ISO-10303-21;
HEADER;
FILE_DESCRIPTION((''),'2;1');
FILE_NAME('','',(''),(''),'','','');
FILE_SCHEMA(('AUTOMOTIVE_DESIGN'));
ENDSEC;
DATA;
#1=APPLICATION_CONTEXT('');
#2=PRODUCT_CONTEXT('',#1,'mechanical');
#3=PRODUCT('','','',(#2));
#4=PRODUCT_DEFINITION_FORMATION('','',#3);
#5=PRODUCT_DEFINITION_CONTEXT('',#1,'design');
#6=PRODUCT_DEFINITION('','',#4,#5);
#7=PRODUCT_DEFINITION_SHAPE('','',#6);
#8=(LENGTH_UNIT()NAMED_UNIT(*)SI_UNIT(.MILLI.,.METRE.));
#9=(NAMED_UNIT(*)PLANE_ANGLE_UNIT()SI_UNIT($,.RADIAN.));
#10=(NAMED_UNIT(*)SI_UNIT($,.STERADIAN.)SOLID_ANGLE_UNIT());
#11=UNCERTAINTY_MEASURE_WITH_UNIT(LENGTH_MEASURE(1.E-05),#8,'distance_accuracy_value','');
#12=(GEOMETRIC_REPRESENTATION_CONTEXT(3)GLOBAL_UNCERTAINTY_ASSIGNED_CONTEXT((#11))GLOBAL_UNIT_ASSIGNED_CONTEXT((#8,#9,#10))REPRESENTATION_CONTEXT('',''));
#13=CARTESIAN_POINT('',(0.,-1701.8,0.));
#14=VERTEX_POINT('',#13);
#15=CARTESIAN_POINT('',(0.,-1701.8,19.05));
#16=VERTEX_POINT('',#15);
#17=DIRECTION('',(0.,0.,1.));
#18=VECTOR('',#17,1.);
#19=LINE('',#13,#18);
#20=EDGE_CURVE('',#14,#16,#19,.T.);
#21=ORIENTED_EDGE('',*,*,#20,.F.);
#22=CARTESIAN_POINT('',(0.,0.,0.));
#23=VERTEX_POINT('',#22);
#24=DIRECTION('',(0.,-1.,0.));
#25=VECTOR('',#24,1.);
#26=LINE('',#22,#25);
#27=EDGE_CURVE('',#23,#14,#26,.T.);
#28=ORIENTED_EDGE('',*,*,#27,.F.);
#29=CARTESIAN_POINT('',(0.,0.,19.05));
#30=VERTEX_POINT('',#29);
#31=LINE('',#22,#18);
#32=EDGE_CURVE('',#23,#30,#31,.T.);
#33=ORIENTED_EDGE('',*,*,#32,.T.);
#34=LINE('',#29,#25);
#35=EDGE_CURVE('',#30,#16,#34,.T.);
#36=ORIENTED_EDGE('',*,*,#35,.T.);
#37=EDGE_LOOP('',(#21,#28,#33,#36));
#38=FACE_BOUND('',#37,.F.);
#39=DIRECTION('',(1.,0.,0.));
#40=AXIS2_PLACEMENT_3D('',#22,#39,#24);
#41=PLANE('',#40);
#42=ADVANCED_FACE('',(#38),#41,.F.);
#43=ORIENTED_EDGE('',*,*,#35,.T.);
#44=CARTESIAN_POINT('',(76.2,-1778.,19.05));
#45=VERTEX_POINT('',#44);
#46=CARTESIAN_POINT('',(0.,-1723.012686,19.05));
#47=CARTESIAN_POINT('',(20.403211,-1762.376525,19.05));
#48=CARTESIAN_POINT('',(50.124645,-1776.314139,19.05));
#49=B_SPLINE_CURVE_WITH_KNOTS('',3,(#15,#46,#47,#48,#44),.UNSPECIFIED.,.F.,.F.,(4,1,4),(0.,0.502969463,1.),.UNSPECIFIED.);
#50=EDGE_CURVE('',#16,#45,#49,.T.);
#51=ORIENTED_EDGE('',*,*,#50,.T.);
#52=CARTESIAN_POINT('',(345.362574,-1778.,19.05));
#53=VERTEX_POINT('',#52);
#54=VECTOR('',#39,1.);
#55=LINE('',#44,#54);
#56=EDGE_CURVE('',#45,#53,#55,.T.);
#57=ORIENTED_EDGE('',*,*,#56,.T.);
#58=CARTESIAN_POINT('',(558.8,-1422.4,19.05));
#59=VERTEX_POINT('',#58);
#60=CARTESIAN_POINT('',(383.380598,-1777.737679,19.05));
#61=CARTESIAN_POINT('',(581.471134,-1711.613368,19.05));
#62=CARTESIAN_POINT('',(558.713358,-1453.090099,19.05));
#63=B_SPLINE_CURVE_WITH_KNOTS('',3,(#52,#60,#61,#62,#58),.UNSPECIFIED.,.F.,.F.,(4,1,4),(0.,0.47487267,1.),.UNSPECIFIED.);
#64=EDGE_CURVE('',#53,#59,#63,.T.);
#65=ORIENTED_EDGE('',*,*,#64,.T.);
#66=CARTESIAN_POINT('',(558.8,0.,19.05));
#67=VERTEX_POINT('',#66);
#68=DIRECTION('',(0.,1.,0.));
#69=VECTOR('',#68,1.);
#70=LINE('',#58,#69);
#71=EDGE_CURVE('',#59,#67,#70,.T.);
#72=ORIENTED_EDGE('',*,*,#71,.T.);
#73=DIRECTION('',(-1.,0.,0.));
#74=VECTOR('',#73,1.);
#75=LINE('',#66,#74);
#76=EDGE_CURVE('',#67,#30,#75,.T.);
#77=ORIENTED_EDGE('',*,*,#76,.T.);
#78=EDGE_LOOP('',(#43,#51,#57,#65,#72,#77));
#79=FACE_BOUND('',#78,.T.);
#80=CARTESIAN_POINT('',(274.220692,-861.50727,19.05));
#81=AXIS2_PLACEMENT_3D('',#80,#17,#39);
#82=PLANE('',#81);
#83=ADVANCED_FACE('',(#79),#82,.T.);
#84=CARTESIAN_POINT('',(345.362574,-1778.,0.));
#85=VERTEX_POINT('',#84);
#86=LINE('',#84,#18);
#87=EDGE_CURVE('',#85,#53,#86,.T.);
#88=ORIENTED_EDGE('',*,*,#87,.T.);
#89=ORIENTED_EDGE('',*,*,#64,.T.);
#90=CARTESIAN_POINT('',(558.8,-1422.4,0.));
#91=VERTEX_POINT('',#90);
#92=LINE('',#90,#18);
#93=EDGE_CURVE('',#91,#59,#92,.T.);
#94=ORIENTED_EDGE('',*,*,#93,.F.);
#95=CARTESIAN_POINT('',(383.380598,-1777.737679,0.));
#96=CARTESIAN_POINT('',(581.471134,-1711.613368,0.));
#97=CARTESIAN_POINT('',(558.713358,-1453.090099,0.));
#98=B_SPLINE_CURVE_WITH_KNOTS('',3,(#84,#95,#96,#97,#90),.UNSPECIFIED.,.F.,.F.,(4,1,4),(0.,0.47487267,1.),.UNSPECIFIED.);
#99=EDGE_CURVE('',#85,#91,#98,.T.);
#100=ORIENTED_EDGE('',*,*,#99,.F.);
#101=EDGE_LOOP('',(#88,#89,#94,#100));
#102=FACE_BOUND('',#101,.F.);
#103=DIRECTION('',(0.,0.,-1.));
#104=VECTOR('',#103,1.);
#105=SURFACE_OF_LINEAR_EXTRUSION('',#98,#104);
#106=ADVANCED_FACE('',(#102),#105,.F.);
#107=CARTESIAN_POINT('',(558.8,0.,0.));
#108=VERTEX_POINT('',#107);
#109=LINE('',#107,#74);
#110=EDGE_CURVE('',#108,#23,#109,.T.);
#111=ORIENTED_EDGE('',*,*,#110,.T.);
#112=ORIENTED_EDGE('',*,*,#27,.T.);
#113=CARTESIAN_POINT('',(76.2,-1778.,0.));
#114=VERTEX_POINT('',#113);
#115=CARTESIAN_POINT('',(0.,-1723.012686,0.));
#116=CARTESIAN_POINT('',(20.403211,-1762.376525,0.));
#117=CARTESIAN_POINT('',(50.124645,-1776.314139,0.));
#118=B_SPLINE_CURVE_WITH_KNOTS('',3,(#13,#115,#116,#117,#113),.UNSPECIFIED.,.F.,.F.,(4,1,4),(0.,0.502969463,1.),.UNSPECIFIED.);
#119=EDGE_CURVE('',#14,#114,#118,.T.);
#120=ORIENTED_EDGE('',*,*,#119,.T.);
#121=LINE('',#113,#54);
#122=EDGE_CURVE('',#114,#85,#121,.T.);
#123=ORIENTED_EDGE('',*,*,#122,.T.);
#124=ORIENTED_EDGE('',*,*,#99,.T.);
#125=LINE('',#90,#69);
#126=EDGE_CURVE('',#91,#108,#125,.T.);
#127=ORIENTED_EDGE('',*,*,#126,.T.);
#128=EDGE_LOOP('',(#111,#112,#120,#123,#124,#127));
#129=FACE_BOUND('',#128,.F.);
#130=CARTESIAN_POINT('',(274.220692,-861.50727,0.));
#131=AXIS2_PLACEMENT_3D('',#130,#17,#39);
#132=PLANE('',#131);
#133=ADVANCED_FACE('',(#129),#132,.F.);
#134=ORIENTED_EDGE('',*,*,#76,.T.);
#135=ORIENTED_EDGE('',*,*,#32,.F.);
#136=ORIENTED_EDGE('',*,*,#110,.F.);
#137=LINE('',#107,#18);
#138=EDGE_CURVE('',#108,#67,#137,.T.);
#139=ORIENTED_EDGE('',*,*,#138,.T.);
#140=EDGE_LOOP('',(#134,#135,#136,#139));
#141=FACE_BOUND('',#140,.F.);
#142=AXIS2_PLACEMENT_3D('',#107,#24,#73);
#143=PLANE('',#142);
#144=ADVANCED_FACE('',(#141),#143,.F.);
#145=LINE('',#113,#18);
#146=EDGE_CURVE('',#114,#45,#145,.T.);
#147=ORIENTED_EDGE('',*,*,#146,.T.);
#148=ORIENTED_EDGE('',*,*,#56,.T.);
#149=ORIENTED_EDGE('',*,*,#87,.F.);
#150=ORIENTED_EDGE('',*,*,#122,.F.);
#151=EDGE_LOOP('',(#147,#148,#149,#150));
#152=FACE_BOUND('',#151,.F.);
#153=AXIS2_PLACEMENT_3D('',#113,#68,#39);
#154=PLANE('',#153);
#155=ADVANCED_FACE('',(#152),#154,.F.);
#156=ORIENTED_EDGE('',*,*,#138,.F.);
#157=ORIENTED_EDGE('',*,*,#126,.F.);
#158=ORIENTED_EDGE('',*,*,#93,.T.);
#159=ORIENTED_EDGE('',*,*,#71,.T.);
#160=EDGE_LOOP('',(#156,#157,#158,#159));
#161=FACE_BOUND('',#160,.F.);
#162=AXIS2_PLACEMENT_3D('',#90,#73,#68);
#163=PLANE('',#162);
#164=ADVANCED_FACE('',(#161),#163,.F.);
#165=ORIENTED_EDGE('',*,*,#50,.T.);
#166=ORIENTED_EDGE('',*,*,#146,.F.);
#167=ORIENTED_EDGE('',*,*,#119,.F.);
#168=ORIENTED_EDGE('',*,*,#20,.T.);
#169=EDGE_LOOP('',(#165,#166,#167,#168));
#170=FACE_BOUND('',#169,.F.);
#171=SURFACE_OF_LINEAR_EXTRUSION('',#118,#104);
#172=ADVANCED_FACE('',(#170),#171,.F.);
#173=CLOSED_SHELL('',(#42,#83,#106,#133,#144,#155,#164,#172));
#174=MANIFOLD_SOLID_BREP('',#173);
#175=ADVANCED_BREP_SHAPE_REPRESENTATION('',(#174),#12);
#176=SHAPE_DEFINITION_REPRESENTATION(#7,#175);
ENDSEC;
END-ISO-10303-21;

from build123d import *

# Parameters (mm, degrees)
F1_DEPTH = 19.05


with BuildPart() as f1:
    # F0 (on Top) → F1 (new body)
    with BuildSketch(Plane.XY):
        with BuildLine():
            Line((558.8, 0), (0, 0))
            Line((0, 0), (0, -1701.8))
            add(Edge.make_bspline(
                [(0, -1701.8), (0, -1723.0126857758), (20.4032110481, -1762.3765253083), (50.1246452332, -1776.3141393661), (76.2, -1778)],
                knots=[0, 0, 0, 0, 0.502969463, 1, 1, 1, 1], degree=3))
            Line((76.2, -1778), (345.3625738621, -1778))
            add(Edge.make_bspline(
                [(345.3625738621, -1778), (383.3805975649, -1777.7376785993), (581.4711342274, -1711.6133681708), (558.7133577058, -1453.0900991245), (558.8, -1422.4)],
                knots=[0, 0, 0, 0, 0.4748726705, 1, 1, 1, 1], degree=3))
            Line((558.8, -1422.4), (558.8, 0))
        make_face()
    extrude(amount=F1_DEPTH)


solid = f1.part
